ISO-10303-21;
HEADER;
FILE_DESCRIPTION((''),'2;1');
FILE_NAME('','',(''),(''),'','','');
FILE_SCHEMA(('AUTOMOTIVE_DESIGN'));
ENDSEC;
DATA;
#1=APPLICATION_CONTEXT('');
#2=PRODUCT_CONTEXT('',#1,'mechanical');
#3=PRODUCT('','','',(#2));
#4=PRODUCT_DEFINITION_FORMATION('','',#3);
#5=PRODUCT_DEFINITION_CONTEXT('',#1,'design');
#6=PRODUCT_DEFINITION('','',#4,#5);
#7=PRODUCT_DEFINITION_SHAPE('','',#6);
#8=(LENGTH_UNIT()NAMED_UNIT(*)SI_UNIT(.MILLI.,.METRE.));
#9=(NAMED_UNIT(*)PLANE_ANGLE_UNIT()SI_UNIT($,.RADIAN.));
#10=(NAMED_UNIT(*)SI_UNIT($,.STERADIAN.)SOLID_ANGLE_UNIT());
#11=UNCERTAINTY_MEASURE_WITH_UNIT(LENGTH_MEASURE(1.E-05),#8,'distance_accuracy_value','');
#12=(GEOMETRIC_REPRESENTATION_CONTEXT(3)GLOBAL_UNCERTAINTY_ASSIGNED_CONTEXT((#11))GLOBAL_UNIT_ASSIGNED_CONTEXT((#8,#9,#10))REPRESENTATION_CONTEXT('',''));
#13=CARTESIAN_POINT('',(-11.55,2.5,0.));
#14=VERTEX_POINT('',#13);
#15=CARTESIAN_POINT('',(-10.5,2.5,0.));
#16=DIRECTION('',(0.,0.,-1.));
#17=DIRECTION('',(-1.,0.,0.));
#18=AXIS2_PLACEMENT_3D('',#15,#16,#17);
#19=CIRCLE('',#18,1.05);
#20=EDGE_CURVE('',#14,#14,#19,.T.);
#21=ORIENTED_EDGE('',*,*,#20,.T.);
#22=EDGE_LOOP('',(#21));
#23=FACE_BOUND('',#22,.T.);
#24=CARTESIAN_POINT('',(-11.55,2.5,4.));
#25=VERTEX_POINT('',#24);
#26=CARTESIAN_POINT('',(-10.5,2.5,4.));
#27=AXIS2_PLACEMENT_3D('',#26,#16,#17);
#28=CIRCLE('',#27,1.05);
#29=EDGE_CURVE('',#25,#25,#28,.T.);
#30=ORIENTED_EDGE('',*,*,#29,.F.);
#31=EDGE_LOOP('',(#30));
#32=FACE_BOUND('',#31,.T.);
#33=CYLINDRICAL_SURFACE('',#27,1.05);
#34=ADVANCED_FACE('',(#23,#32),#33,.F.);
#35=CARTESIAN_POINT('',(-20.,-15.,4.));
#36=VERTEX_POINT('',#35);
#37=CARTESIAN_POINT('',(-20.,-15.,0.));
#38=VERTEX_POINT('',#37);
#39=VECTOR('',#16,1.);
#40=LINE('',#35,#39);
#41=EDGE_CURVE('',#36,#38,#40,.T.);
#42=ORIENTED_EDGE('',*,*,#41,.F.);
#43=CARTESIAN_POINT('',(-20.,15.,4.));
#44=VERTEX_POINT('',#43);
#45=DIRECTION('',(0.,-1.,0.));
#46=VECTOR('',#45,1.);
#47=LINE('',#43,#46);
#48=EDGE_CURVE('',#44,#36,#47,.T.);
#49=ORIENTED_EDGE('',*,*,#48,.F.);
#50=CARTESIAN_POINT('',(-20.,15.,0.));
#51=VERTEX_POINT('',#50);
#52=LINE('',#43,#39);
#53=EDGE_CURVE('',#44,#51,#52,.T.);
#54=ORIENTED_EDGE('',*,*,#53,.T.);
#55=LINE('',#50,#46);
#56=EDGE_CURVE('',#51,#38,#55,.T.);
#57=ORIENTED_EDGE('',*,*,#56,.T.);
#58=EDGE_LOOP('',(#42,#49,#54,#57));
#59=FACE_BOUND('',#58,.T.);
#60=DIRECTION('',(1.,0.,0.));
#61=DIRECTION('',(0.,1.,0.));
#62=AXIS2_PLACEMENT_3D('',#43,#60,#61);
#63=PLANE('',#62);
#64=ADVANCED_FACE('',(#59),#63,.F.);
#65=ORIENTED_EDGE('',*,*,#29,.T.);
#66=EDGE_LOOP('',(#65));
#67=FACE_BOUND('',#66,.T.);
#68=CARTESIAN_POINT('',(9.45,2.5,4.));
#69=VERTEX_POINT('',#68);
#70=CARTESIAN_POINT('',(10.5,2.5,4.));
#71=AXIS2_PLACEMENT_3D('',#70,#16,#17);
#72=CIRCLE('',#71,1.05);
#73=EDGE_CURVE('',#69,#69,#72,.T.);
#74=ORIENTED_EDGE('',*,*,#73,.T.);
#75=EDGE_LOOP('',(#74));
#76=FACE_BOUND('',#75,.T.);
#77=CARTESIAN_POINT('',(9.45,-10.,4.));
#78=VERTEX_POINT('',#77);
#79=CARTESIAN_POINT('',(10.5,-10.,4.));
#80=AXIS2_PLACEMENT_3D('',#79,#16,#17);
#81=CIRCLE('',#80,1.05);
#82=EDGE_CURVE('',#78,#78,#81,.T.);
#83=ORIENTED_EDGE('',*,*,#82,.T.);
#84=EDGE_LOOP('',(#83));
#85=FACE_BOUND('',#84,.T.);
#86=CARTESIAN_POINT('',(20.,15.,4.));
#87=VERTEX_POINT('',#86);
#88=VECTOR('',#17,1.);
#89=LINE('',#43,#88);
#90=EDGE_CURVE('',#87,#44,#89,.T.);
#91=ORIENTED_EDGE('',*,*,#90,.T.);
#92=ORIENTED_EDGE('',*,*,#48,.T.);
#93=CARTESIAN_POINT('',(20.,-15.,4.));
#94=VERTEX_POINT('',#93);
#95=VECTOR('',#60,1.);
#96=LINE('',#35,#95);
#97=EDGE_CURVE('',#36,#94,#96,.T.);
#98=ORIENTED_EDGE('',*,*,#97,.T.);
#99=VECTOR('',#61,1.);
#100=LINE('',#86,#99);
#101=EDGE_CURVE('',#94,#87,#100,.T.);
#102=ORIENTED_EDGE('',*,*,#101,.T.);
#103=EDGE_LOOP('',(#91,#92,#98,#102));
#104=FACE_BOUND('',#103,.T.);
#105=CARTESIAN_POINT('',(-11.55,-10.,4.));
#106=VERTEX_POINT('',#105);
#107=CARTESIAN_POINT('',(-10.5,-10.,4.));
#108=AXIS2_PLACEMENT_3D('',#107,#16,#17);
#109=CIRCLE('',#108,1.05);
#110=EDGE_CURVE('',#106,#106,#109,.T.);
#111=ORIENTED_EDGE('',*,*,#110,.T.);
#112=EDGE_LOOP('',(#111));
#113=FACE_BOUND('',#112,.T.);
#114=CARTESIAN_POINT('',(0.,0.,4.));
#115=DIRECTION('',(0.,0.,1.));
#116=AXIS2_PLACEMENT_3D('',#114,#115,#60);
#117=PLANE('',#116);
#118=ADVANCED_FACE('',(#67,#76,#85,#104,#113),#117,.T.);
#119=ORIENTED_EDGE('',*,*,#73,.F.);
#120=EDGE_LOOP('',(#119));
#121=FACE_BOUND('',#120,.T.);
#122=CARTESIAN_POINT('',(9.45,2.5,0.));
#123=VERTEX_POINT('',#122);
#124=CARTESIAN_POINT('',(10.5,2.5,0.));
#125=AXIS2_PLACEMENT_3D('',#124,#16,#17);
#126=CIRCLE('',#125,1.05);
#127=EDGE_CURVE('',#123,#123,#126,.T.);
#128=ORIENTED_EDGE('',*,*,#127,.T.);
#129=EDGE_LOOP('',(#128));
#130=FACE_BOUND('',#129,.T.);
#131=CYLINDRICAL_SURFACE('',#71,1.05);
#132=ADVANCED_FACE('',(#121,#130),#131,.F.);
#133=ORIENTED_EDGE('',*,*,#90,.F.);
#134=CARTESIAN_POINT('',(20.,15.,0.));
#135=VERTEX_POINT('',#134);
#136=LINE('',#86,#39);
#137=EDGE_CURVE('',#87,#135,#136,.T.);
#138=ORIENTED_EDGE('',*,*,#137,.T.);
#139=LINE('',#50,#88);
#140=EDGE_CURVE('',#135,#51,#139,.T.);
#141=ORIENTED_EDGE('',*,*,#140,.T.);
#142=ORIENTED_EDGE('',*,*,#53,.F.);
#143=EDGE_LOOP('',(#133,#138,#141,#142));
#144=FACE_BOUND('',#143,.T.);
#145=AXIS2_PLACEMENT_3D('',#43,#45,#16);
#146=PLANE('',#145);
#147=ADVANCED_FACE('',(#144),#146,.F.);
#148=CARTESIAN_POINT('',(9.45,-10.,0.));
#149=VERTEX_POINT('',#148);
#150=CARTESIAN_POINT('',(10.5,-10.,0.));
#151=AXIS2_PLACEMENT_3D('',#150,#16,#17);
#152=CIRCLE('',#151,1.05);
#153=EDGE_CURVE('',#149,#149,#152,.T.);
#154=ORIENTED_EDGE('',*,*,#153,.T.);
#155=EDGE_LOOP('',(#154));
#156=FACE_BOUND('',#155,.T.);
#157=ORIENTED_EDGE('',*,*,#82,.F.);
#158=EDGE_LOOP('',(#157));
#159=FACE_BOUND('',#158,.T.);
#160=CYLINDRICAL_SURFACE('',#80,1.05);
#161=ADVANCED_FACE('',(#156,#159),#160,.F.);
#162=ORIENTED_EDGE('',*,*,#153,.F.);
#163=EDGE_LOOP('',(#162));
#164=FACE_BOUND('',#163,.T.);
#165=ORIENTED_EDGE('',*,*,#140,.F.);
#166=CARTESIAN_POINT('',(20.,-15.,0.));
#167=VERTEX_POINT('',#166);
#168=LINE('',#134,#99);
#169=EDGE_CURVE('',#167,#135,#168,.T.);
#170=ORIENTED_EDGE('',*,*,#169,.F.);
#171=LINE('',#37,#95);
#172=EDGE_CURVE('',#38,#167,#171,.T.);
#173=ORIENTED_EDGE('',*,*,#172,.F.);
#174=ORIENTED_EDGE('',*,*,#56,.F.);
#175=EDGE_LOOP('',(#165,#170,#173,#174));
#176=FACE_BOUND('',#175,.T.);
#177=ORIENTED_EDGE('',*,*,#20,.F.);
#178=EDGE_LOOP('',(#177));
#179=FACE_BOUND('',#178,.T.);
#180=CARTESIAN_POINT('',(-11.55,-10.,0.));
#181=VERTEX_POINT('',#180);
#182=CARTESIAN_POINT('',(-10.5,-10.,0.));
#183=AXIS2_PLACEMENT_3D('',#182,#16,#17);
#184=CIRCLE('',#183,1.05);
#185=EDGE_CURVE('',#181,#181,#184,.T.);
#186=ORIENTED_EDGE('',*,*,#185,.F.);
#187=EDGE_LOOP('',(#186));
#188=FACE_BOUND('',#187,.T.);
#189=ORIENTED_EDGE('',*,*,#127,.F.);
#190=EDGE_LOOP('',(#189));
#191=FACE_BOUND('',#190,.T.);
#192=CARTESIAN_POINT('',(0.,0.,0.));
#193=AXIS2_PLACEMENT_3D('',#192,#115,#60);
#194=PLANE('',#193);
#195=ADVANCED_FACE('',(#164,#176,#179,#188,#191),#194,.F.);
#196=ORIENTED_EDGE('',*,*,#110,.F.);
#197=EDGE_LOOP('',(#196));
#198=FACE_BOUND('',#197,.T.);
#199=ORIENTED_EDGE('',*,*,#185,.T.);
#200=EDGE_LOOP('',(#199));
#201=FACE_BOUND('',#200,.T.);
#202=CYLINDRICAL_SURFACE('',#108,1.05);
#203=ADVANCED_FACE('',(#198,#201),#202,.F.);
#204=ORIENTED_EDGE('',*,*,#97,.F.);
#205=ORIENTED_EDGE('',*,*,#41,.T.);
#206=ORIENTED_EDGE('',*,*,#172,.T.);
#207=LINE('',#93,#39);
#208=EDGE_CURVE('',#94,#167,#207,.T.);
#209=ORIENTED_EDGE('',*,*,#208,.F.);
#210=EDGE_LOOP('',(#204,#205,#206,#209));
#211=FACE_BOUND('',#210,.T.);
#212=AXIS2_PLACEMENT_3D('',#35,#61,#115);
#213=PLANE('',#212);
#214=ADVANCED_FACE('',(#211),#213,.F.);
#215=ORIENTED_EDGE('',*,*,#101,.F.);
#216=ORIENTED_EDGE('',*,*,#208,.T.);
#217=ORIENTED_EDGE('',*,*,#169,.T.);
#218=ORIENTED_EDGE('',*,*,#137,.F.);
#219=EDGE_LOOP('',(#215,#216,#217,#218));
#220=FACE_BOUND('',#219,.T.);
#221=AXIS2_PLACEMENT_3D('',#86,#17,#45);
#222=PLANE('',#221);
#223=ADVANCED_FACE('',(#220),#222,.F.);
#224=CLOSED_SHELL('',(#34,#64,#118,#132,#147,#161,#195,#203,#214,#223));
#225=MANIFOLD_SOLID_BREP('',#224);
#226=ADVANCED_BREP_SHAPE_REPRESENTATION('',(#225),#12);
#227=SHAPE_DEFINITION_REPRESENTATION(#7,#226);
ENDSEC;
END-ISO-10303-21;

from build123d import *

# Parameters (mm, degrees)
SKETCH1_W           = 40
SKETCH1_H           = 30
BOSS_EXTRUDE1_DEPTH = 4
SKETCH2_R           = 1.05
CUT_EXTRUDE1_DEPTH  = 26.317977802


with BuildPart() as part:
    # Sketch1 → Boss-Extrude1 (new body)
    with BuildSketch(Plane.XY):
        Rectangle(SKETCH1_W, SKETCH1_H)
    extrude(amount=BOSS_EXTRUDE1_DEPTH)

    # Sketch2 → Cut-Extrude1 (cut, through all)
    with BuildSketch(Plane(origin=(0, 0, 0), x_dir=(-1, 0, 0), z_dir=(0, 0, -1))):
        with Locations((-10.5, 2.5)):
            Circle(SKETCH2_R)
        with Locations((10.5, 2.5)):
            Circle(SKETCH2_R)
        with Locations((-10.5, -10)):
            Circle(SKETCH2_R)
        with Locations((10.5, -10)):
            Circle(SKETCH2_R)
    extrude(amount=-CUT_EXTRUDE1_DEPTH, mode=Mode.SUBTRACT)


solid = part.part
